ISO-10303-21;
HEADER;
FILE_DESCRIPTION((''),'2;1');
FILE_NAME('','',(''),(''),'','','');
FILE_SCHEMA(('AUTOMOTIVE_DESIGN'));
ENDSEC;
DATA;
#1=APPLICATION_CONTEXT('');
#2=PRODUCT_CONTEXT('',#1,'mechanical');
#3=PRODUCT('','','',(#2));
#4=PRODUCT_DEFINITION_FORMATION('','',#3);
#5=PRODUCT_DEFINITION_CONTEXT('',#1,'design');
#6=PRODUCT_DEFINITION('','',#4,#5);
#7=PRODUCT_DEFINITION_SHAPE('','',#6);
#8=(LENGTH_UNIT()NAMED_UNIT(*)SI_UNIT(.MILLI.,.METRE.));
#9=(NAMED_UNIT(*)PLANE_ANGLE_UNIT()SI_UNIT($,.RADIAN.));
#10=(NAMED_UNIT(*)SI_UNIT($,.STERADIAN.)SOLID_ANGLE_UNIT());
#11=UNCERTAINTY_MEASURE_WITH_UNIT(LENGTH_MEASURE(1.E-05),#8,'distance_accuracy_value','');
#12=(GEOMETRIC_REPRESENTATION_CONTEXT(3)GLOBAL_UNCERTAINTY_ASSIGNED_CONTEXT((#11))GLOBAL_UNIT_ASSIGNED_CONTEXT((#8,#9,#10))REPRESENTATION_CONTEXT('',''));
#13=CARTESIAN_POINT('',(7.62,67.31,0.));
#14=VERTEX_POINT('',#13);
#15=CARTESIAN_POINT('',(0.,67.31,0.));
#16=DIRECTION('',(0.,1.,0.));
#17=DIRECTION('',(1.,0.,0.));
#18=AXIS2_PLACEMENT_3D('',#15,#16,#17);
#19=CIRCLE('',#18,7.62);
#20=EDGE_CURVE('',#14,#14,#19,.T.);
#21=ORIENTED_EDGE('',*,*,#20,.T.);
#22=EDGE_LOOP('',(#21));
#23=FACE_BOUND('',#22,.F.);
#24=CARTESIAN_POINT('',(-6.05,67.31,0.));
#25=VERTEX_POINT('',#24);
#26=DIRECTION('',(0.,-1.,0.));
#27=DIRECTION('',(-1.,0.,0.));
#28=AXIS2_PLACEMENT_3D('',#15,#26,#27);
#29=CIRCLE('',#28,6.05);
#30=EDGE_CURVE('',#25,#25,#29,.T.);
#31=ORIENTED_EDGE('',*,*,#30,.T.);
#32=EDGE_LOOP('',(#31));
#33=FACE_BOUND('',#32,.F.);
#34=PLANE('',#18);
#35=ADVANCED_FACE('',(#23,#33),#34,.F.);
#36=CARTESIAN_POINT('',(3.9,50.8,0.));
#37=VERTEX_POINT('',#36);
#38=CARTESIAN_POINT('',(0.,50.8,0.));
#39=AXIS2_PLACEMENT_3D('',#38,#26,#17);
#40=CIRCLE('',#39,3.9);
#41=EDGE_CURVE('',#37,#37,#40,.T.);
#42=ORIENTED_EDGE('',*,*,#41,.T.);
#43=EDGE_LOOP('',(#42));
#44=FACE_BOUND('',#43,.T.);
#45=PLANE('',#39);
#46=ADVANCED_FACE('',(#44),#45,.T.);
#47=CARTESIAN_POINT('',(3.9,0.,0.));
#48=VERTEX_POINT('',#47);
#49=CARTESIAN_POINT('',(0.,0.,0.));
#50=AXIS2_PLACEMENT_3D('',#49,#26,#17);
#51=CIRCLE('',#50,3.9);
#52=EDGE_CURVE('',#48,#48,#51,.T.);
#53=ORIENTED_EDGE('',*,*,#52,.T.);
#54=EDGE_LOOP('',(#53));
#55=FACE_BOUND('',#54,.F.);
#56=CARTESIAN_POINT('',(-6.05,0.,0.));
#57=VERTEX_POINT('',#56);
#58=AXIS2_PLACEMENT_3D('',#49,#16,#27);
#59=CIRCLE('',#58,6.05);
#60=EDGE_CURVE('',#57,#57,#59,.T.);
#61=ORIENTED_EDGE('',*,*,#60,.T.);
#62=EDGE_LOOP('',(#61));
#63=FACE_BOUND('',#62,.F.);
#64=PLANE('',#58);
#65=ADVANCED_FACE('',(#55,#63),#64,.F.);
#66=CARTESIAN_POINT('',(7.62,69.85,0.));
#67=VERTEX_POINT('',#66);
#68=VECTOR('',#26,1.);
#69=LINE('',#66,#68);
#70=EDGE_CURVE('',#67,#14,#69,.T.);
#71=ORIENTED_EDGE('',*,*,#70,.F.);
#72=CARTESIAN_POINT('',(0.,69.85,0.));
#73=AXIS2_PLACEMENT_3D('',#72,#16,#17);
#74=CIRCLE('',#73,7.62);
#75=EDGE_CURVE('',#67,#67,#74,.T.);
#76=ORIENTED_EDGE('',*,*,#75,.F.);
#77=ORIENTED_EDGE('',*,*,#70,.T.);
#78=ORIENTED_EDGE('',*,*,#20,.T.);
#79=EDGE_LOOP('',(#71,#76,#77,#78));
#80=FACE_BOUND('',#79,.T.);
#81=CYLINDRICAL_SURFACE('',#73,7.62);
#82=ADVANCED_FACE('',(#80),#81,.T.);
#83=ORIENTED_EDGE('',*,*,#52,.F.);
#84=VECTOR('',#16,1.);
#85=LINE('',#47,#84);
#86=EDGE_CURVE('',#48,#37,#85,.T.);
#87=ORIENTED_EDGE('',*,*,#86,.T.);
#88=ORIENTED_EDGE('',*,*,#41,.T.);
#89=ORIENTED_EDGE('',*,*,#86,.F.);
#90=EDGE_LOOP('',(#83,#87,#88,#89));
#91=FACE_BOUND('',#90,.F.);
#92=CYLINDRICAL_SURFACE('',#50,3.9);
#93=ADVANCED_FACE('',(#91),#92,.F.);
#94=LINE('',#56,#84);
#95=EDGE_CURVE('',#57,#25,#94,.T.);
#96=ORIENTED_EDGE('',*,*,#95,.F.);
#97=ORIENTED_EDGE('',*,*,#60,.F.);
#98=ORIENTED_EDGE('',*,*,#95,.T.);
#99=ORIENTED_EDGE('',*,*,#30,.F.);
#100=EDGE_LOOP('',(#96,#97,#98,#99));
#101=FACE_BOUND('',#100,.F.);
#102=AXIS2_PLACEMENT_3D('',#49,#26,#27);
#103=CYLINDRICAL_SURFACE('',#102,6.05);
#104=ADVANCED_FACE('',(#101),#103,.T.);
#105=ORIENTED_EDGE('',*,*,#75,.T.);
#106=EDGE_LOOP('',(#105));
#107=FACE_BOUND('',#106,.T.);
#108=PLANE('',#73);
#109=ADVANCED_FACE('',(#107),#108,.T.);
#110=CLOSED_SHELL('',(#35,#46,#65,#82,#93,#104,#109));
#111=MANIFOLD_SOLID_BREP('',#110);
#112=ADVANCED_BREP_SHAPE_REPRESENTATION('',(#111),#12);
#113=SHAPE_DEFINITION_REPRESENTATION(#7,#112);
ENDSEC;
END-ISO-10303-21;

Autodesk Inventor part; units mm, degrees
ref_plane "YZ Plane" through (0, 0, 0) normal (1, 0, 0) x (0, 1, 0)
ref_plane "XZ Plane" through (0, 0, 0) normal (0, 1, 0) x (-1, 0, 0)
ref_plane "XY Plane" through (0, 0, 0) normal (0, 0, 1) x (1, 0, 0)
sketch "Sketch1" plane through (0, 0, 0) normal (0, 1, 0) x (-1, 0, 0)
  circle A0 centre (0, 0) radius 6.05
  dimension "d0" = 12.1
extrude "Extrusion1" add sketch "Sketch1" along normal blind 69.85
sketch "Sketch2" plane through (0, 69.85, 0) normal (0, 1, 0) x (1, 0, 0)
  circle A0 centre (0, 0) radius 6.7945
  circle A1 centre (0, 0) radius 7.62
  dimension "d3" = 15.24
extrude "Extrusion2" add sketch "Sketch2" against normal blind 2.54 contours A0 | A1
sketch "Sketch3" plane through (0, 0, 0) normal (0, -1, 0) x (1, 0, 0)
  circle A0 centre (0, 0) radius 3.9
  dimension "d6" = 7.8
extrude "Extrusion3" cut sketch "Sketch3" against normal blind 50.8
properties part number "Press_Head"
